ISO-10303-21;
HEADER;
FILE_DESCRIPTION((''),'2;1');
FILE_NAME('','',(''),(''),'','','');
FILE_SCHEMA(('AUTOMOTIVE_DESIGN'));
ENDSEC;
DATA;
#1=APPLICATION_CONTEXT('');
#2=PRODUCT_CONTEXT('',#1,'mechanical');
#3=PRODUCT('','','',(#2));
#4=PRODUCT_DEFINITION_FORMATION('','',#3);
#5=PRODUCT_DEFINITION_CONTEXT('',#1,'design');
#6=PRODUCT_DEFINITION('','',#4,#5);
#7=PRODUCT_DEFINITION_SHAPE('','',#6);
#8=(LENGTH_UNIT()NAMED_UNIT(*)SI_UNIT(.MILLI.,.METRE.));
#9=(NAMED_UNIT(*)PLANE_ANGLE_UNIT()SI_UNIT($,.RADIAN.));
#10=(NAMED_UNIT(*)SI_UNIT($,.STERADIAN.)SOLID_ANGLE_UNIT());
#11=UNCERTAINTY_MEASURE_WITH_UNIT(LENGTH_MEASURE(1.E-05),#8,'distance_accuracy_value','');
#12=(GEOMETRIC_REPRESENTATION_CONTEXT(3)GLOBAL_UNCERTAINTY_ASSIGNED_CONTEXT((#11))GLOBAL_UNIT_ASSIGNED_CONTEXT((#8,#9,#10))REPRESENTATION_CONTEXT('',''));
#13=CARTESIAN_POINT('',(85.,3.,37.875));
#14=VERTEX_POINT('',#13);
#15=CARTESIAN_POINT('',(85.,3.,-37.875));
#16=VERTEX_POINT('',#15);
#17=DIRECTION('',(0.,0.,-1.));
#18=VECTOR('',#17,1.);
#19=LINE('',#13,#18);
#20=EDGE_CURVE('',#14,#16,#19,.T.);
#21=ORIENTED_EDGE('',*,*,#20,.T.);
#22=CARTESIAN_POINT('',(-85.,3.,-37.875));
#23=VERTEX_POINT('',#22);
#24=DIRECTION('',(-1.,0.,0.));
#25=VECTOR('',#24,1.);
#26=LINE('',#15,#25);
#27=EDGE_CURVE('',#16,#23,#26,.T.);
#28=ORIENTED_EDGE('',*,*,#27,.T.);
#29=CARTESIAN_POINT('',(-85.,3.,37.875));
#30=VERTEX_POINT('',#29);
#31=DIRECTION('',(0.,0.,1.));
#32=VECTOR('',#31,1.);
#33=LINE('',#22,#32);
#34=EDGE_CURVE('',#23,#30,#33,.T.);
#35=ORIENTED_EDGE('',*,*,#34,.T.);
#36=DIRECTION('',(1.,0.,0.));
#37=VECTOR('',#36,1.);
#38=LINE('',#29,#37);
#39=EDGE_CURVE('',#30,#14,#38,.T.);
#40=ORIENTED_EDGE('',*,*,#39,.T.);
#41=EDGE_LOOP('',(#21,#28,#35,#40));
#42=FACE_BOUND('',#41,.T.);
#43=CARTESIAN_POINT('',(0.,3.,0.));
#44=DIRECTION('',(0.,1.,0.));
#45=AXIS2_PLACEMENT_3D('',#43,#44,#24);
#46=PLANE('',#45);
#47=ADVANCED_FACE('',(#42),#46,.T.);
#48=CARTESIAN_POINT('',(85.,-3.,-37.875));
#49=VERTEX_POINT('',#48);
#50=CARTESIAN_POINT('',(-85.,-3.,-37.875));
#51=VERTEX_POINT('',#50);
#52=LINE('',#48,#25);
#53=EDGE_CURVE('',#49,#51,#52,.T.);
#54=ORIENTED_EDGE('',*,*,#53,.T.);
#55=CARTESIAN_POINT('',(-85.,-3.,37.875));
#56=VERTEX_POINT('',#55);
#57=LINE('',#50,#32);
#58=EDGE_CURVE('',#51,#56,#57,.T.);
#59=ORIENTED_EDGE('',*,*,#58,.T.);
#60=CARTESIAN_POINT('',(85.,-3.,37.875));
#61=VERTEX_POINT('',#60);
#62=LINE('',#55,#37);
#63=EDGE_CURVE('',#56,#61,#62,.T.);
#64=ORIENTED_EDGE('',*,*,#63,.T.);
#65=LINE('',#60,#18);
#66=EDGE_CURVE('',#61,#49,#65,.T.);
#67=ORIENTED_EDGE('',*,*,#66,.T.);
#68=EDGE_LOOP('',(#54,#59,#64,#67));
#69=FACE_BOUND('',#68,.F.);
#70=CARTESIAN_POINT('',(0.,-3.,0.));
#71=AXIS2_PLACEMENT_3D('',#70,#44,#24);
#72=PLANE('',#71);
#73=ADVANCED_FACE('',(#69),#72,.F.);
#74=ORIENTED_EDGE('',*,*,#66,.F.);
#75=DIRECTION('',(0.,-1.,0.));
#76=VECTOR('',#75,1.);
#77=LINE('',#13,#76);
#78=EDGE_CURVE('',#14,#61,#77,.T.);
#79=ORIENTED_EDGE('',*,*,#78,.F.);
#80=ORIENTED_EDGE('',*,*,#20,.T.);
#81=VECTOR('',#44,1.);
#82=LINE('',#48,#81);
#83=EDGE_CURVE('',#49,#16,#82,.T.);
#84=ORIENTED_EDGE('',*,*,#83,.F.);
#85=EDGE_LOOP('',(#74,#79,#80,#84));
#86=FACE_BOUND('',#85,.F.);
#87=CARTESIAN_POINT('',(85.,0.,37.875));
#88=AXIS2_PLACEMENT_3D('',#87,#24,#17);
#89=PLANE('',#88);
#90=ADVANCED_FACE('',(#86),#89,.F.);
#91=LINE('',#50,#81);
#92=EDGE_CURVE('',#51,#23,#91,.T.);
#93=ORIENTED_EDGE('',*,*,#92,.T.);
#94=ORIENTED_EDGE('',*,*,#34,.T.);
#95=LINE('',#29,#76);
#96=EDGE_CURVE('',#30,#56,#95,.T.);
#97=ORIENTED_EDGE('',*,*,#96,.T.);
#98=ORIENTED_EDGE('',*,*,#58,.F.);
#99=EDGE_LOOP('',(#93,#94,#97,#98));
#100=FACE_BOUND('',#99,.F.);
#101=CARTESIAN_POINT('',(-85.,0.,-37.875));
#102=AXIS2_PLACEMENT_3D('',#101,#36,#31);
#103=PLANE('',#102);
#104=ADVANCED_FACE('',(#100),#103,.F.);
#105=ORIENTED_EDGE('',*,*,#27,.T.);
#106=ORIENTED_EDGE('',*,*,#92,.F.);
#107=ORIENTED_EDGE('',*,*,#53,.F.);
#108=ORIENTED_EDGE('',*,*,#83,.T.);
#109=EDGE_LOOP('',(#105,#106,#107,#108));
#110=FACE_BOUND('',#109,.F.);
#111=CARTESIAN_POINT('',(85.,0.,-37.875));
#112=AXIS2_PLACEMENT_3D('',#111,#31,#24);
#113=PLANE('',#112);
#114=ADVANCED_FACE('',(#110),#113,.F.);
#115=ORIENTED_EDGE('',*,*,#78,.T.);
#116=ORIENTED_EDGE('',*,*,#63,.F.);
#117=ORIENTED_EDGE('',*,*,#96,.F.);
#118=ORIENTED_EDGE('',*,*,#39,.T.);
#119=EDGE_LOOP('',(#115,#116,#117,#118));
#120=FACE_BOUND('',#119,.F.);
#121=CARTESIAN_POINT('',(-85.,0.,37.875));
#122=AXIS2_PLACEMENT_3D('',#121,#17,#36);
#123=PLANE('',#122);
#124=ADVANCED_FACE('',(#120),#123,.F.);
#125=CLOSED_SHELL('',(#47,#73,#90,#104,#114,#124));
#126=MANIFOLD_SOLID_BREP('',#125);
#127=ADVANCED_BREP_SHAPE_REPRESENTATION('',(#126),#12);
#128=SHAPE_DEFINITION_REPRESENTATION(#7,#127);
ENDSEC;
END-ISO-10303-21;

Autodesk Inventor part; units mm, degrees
ref_plane "YZ Plane" through (0, 0, 0) normal (1, 0, 0) x (0, 1, 0)
ref_plane "XZ Plane" through (0, 0, 0) normal (0, 1, 0) x (-1, 0, 0)
ref_plane "XY Plane" through (0, 0, 0) normal (0, 0, 1) x (1, 0, 0)
sketch "Szkic1" plane through (0, 0, 0) normal (0, 1, 0) x (-1, 0, 0)
  line L0 (-85, -37.875) -> (85, -37.875)
  line L1 (85, -37.875) -> (85, 37.875)
  line L2 (85, 37.875) -> (-85, 37.875)
  line L3 (-85, 37.875) -> (-85, -37.875)
  line L4 (-85, -37.875) -> (85, 37.875) construction
  line L5 (85, -37.875) -> (-85, 37.875) construction
  point P0 (0, 0)
  dimension "d0" = 170
  dimension "d1" = 75.75
extrude "Wyciągnięcie proste1" add sketch "Szkic1" along normal mid plane 6
properties part number "bepf_platforma_wypelnienie_polka_dolna" material "Tworzywo o ultrawysokiej masie cząsteczkowej, białe"
